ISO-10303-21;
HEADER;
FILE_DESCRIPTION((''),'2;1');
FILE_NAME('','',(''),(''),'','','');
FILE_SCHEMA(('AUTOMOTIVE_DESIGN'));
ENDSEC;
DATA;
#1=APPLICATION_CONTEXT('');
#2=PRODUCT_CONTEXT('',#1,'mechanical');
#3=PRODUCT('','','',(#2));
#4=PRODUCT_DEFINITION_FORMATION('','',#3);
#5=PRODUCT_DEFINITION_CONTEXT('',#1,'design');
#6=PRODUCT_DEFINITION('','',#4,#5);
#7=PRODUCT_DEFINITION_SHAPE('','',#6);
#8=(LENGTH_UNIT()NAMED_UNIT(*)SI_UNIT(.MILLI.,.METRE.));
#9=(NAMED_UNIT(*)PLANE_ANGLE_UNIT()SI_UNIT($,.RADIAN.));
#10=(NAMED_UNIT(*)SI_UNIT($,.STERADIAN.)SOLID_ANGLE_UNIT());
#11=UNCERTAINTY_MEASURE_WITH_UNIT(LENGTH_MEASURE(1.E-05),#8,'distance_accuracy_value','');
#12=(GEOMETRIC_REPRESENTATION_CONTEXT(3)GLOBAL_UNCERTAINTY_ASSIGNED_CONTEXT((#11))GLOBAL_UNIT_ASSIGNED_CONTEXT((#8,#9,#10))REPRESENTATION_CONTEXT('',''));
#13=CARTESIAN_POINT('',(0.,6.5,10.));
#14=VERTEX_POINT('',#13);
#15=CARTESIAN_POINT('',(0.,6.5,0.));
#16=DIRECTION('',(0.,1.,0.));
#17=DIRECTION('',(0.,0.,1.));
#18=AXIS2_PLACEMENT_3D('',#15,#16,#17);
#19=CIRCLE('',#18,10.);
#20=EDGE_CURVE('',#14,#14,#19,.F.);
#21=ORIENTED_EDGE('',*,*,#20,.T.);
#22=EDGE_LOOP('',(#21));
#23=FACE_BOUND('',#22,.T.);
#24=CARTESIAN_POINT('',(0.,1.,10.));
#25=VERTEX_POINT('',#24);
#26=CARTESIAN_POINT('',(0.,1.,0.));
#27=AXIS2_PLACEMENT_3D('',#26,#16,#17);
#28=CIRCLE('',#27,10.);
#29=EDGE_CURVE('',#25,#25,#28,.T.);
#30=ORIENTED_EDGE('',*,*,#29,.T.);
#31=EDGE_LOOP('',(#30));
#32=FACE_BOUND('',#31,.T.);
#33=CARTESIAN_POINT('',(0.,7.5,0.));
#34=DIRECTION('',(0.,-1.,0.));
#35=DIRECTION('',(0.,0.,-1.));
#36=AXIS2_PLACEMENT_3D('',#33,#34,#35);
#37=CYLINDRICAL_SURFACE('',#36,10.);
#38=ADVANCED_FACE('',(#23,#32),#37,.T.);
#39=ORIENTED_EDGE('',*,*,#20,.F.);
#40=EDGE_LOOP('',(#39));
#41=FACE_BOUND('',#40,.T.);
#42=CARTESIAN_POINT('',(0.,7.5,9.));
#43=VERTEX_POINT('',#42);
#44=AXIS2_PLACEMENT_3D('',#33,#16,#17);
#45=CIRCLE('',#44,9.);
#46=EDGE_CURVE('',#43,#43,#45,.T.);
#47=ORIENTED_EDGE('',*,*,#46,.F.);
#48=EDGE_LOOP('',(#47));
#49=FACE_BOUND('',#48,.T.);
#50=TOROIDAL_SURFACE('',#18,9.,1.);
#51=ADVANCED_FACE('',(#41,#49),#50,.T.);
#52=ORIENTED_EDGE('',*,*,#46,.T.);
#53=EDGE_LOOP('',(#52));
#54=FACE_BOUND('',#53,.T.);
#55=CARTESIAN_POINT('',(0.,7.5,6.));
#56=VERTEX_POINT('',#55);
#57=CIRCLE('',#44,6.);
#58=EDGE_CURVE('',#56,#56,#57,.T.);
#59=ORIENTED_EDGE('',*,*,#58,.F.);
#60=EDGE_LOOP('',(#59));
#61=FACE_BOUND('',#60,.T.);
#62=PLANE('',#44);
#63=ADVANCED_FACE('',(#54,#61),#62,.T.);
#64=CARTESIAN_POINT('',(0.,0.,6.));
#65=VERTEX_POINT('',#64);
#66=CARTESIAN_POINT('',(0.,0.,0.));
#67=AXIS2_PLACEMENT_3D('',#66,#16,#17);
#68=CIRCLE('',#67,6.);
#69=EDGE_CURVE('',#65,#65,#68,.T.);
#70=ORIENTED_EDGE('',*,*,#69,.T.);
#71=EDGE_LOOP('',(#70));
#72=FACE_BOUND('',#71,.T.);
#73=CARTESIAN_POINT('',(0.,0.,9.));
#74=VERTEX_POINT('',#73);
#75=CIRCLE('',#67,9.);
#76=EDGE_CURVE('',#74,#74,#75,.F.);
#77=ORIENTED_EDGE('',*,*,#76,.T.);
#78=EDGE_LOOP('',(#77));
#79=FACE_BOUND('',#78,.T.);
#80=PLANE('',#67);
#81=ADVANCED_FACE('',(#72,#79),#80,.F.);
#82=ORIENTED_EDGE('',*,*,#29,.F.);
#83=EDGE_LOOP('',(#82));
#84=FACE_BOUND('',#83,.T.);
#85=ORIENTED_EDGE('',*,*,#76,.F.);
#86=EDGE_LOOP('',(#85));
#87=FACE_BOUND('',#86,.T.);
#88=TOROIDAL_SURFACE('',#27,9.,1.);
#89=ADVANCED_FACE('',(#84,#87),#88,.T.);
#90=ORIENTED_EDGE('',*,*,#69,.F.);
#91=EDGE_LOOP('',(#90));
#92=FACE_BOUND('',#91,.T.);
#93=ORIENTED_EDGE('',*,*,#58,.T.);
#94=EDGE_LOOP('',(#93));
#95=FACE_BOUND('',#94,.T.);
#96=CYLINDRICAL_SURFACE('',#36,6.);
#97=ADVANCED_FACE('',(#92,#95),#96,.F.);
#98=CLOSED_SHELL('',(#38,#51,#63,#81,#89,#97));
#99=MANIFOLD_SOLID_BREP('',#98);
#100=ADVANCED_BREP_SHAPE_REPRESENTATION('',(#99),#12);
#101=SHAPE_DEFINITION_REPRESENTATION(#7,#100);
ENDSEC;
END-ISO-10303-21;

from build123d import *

# Parameters (mm, degrees)
SKETCH1_R           = 10
SKETCH1_R_2         = 6
BOSS_EXTRUDE1_DEPTH = 7.5
FILLET1_R           = 1


with BuildPart() as part:
    # Sketch1 → Boss-Extrude1 (new body)
    with BuildSketch(Plane(origin=(0, 0, 0), x_dir=(1, 0, 0), z_dir=(0, 1, 0))):
        Circle(SKETCH1_R)
        Circle(SKETCH1_R_2, mode=Mode.SUBTRACT)
    extrude(amount=BOSS_EXTRUDE1_DEPTH)

    # Fillet1
    fillet1_edges = [part.edges().sort_by_distance(p)[0] for p in [
        (-10, 0, 0),
        (-10, 7.5, 0),
    ]]
    fillet(fillet1_edges, radius=FILLET1_R)


solid = part.part
